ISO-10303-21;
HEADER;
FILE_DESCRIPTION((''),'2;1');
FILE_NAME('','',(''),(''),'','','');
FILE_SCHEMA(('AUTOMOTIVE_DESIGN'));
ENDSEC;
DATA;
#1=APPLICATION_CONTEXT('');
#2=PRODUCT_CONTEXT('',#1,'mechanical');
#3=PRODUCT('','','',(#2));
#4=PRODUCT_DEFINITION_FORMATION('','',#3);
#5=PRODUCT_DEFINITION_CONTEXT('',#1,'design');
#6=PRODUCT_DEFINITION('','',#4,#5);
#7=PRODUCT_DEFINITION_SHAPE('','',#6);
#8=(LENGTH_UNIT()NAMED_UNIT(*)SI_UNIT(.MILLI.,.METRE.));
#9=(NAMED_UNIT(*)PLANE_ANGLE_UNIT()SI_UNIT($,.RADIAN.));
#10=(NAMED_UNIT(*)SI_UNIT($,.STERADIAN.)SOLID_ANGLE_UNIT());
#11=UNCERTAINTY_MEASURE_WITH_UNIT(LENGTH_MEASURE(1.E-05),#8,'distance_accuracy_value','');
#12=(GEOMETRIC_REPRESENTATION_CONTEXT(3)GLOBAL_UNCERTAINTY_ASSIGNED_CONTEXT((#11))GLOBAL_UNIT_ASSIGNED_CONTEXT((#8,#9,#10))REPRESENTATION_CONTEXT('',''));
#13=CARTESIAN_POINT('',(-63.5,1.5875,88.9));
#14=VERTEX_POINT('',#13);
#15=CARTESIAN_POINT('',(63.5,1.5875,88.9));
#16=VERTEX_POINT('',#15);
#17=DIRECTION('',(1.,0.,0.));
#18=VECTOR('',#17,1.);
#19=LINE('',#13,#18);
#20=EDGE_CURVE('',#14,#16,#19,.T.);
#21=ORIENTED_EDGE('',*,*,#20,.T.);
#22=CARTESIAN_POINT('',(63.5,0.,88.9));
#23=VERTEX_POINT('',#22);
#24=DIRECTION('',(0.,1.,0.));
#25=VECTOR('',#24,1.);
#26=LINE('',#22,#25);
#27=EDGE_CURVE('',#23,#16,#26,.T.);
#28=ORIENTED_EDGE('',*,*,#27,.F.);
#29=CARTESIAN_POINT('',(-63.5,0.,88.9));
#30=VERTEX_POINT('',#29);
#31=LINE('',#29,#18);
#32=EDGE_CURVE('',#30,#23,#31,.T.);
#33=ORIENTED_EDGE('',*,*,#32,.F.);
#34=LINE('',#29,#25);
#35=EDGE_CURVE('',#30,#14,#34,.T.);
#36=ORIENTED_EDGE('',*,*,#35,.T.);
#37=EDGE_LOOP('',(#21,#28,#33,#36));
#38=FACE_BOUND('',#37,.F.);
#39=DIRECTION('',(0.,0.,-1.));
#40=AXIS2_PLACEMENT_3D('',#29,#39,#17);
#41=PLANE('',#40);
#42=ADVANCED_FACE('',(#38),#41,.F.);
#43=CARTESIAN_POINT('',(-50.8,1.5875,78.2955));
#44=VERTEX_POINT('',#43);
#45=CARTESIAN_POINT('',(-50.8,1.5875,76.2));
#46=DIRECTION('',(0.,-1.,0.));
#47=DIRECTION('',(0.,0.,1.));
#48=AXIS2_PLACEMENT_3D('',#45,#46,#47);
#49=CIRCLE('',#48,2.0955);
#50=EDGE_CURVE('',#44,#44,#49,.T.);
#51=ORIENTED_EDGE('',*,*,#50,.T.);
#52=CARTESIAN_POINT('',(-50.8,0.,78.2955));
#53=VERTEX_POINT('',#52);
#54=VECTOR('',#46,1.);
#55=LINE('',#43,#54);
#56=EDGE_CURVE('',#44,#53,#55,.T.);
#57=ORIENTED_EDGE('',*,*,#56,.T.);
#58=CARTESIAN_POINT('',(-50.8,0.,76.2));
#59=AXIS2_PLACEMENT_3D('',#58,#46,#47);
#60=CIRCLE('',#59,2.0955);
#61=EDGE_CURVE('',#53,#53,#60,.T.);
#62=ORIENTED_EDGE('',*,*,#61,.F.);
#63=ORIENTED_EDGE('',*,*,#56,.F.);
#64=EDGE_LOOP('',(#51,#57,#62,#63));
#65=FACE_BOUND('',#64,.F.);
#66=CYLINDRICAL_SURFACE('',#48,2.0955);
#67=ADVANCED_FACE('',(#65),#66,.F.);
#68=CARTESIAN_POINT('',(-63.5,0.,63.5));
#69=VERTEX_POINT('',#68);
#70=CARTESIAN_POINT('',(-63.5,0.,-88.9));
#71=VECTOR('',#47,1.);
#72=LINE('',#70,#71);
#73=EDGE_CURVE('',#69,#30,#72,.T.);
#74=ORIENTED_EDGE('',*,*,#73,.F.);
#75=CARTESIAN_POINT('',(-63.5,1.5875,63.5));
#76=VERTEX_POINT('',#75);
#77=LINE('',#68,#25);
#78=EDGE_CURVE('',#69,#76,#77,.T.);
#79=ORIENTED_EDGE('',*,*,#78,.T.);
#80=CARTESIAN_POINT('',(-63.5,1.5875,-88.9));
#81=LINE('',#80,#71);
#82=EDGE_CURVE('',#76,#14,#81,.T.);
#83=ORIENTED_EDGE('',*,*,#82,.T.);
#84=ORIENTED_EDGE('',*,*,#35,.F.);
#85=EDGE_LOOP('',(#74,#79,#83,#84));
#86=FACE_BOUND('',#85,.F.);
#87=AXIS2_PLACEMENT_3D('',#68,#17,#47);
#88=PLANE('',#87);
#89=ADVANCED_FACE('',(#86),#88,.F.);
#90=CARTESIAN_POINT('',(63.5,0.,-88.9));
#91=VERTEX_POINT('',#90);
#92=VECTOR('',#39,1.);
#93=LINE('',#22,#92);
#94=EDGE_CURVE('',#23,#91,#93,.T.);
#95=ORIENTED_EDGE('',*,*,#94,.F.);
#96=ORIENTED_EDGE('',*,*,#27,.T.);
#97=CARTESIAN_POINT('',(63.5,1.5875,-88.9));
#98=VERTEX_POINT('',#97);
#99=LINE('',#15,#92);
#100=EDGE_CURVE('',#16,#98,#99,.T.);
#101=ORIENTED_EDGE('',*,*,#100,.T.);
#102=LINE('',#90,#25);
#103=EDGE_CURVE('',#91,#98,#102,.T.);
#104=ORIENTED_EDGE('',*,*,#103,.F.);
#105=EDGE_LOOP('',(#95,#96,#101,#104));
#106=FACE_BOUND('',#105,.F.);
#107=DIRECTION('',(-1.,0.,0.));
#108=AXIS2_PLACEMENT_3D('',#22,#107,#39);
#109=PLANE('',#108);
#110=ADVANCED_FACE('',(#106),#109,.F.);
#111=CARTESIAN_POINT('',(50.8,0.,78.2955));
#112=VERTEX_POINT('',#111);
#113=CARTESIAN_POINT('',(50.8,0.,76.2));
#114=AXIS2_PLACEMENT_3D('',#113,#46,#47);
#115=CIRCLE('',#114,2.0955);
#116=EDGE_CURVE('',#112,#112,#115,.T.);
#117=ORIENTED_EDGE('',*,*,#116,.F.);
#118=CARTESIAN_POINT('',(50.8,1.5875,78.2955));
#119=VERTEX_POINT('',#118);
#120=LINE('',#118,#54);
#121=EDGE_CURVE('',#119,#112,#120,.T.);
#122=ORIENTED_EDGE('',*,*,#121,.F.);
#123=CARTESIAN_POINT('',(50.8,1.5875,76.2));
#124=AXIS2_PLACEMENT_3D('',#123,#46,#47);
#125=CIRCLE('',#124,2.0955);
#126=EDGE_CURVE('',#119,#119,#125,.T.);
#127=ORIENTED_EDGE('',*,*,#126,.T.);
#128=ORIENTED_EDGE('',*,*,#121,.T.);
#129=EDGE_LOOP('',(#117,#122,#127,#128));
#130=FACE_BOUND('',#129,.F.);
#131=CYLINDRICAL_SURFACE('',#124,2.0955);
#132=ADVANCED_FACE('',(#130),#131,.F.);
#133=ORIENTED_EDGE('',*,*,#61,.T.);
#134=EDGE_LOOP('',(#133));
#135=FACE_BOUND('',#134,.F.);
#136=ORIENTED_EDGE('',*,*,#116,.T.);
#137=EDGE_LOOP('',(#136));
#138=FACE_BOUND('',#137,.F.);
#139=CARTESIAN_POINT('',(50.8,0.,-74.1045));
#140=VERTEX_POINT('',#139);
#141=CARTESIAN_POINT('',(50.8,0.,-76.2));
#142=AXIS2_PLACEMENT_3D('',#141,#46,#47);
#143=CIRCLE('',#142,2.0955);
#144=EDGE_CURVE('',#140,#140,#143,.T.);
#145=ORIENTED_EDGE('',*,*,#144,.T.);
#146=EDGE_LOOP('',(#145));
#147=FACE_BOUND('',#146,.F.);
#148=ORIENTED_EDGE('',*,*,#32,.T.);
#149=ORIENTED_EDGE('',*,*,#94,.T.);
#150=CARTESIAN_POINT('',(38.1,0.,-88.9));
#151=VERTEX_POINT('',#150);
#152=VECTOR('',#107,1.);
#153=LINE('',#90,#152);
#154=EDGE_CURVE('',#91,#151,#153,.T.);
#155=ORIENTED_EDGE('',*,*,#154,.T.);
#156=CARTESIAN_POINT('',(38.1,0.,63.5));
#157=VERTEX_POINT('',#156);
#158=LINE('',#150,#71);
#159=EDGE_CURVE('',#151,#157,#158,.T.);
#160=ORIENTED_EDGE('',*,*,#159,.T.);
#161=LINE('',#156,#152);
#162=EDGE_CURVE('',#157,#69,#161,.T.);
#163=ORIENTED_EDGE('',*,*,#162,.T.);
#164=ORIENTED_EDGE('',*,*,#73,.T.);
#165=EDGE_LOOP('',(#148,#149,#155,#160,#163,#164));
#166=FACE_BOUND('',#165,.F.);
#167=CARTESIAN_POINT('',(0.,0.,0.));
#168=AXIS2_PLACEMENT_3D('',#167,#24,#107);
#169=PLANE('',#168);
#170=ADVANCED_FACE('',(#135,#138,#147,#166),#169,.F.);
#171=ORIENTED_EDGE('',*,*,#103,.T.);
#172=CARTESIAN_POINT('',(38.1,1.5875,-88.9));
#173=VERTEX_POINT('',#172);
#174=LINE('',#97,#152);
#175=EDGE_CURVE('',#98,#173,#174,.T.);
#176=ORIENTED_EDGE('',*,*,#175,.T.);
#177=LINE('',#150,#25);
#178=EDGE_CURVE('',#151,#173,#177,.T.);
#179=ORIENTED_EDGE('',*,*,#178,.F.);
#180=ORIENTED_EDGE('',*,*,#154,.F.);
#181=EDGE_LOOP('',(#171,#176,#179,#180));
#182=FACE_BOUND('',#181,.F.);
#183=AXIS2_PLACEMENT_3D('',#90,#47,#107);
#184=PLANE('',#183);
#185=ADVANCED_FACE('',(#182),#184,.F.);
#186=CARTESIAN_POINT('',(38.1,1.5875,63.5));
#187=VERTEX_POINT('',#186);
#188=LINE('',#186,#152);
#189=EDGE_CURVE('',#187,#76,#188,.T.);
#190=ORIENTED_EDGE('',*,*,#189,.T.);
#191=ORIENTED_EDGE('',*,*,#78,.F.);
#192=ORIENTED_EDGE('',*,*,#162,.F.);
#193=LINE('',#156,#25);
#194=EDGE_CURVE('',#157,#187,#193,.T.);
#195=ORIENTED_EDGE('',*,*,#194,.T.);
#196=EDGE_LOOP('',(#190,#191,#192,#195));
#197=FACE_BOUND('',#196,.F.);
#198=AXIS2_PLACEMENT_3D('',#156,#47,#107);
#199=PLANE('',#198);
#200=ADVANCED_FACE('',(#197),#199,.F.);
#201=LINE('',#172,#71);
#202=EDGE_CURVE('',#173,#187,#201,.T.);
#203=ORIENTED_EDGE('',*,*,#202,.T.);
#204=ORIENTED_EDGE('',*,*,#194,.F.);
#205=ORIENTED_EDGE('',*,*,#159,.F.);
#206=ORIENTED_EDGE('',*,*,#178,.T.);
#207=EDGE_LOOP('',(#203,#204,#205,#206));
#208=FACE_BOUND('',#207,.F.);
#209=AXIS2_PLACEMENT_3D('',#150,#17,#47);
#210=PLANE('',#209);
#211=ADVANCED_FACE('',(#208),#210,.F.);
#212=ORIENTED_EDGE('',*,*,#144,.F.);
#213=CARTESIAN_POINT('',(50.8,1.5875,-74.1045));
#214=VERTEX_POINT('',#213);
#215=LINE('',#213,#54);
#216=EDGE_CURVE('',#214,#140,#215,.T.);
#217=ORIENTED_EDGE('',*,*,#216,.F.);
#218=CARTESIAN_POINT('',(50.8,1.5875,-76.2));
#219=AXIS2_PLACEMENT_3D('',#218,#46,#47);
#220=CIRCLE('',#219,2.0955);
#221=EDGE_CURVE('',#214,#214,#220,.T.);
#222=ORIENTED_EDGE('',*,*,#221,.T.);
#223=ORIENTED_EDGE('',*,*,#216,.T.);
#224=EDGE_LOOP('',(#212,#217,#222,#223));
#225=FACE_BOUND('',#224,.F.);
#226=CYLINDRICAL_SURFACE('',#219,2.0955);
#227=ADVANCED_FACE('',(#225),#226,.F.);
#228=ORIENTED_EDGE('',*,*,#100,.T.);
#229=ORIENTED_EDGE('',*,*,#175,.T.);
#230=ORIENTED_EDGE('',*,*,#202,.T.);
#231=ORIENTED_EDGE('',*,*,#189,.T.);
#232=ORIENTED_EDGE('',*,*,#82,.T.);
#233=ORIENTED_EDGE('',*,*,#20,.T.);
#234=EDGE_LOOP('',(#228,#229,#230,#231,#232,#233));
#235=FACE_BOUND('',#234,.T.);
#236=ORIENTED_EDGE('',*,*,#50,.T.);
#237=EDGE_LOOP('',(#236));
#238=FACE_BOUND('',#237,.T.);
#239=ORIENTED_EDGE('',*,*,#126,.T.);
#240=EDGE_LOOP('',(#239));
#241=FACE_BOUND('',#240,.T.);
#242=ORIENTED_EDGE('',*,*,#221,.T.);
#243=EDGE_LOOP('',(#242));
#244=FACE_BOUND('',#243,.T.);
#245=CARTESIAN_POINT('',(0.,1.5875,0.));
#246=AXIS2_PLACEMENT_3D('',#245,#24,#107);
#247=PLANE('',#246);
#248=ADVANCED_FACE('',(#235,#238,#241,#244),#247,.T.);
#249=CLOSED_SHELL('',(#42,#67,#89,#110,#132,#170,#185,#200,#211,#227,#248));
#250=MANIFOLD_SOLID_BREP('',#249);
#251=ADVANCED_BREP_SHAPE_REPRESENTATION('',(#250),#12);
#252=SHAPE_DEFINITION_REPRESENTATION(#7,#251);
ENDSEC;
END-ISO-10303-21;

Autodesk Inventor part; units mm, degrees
ref_plane "YZ Plane" through (0, 0, 0) normal (1, 0, 0) x (0, 1, 0)
ref_plane "XZ Plane" through (0, 0, 0) normal (0, 1, 0) x (-1, 0, 0)
ref_plane "XY Plane" through (0, 0, 0) normal (0, 0, 1) x (1, 0, 0)
sketch "Sketch1" plane through (0, 0, 0) normal (0, 1, 0) x (-1, 0, 0)
  line L0 (-63.5, -88.9) -> (63.5, -88.9)
  line L1 (63.5, -88.9) -> (63.5, 88.9)
  line L2 (63.5, 88.9) -> (-63.5, 88.9)
  line L3 (-63.5, 88.9) -> (-63.5, -88.9)
  line L4 (-63.5, -88.9) -> (63.5, 88.9) construction
  line L5 (63.5, -88.9) -> (-63.5, 88.9) construction
  line L6 (63.5, -88.9) -> (-38.1, -88.9)
  line L7 (-38.1, -88.9) -> (-38.1, 63.5)
  line L8 (-38.1, 63.5) -> (63.5, 63.5)
  line L9 (63.5, 63.5) -> (63.5, -88.9)
  point P0 (0, 0)
  dimension "d0" = 127
  dimension "d1" = 177.8
  dimension "d2" = 101.6
  dimension "d3" = 152.4
extrude "Extrusion1" add sketch "Sketch1" along normal blind 1.5875 contours L3 L2 L1 L8 L7 L0
sketch "Sketch2" plane through (0, 1.5875, 0) normal (0, 1, 0) x (1, 0, 0)
  line L0 (-63.5, -63.5) -> (-63.5, -88.9) projected
  line L1 (-63.5, -88.9) -> (63.5, -88.9) projected
  line L2 (63.5, -88.9) -> (63.5, 88.9) projected
  line L3 (63.5, 88.9) -> (38.1, 88.9) projected
  line L4 (-63.5, -76.2) -> (63.5, -76.2) construction
  line L5 (50.8, 88.9) -> (50.8, -88.9) construction
  point P0 (0, 0)
  point P1 (-50.8, -76.2)
  point P2 (50.8, 76.2)
  point P3 (50.8, -76.2)
  dimension "d6" = 12.7
  dimension "d7" = 12.7
hole "Hole1" at (-50.8, 1.5875, 76.2) at (50.8, 1.5875, -76.2) at (50.8, 1.5875, 76.2) direction (0, -1, 0) diameter 4.191 end through all
properties part number "topLayer"
